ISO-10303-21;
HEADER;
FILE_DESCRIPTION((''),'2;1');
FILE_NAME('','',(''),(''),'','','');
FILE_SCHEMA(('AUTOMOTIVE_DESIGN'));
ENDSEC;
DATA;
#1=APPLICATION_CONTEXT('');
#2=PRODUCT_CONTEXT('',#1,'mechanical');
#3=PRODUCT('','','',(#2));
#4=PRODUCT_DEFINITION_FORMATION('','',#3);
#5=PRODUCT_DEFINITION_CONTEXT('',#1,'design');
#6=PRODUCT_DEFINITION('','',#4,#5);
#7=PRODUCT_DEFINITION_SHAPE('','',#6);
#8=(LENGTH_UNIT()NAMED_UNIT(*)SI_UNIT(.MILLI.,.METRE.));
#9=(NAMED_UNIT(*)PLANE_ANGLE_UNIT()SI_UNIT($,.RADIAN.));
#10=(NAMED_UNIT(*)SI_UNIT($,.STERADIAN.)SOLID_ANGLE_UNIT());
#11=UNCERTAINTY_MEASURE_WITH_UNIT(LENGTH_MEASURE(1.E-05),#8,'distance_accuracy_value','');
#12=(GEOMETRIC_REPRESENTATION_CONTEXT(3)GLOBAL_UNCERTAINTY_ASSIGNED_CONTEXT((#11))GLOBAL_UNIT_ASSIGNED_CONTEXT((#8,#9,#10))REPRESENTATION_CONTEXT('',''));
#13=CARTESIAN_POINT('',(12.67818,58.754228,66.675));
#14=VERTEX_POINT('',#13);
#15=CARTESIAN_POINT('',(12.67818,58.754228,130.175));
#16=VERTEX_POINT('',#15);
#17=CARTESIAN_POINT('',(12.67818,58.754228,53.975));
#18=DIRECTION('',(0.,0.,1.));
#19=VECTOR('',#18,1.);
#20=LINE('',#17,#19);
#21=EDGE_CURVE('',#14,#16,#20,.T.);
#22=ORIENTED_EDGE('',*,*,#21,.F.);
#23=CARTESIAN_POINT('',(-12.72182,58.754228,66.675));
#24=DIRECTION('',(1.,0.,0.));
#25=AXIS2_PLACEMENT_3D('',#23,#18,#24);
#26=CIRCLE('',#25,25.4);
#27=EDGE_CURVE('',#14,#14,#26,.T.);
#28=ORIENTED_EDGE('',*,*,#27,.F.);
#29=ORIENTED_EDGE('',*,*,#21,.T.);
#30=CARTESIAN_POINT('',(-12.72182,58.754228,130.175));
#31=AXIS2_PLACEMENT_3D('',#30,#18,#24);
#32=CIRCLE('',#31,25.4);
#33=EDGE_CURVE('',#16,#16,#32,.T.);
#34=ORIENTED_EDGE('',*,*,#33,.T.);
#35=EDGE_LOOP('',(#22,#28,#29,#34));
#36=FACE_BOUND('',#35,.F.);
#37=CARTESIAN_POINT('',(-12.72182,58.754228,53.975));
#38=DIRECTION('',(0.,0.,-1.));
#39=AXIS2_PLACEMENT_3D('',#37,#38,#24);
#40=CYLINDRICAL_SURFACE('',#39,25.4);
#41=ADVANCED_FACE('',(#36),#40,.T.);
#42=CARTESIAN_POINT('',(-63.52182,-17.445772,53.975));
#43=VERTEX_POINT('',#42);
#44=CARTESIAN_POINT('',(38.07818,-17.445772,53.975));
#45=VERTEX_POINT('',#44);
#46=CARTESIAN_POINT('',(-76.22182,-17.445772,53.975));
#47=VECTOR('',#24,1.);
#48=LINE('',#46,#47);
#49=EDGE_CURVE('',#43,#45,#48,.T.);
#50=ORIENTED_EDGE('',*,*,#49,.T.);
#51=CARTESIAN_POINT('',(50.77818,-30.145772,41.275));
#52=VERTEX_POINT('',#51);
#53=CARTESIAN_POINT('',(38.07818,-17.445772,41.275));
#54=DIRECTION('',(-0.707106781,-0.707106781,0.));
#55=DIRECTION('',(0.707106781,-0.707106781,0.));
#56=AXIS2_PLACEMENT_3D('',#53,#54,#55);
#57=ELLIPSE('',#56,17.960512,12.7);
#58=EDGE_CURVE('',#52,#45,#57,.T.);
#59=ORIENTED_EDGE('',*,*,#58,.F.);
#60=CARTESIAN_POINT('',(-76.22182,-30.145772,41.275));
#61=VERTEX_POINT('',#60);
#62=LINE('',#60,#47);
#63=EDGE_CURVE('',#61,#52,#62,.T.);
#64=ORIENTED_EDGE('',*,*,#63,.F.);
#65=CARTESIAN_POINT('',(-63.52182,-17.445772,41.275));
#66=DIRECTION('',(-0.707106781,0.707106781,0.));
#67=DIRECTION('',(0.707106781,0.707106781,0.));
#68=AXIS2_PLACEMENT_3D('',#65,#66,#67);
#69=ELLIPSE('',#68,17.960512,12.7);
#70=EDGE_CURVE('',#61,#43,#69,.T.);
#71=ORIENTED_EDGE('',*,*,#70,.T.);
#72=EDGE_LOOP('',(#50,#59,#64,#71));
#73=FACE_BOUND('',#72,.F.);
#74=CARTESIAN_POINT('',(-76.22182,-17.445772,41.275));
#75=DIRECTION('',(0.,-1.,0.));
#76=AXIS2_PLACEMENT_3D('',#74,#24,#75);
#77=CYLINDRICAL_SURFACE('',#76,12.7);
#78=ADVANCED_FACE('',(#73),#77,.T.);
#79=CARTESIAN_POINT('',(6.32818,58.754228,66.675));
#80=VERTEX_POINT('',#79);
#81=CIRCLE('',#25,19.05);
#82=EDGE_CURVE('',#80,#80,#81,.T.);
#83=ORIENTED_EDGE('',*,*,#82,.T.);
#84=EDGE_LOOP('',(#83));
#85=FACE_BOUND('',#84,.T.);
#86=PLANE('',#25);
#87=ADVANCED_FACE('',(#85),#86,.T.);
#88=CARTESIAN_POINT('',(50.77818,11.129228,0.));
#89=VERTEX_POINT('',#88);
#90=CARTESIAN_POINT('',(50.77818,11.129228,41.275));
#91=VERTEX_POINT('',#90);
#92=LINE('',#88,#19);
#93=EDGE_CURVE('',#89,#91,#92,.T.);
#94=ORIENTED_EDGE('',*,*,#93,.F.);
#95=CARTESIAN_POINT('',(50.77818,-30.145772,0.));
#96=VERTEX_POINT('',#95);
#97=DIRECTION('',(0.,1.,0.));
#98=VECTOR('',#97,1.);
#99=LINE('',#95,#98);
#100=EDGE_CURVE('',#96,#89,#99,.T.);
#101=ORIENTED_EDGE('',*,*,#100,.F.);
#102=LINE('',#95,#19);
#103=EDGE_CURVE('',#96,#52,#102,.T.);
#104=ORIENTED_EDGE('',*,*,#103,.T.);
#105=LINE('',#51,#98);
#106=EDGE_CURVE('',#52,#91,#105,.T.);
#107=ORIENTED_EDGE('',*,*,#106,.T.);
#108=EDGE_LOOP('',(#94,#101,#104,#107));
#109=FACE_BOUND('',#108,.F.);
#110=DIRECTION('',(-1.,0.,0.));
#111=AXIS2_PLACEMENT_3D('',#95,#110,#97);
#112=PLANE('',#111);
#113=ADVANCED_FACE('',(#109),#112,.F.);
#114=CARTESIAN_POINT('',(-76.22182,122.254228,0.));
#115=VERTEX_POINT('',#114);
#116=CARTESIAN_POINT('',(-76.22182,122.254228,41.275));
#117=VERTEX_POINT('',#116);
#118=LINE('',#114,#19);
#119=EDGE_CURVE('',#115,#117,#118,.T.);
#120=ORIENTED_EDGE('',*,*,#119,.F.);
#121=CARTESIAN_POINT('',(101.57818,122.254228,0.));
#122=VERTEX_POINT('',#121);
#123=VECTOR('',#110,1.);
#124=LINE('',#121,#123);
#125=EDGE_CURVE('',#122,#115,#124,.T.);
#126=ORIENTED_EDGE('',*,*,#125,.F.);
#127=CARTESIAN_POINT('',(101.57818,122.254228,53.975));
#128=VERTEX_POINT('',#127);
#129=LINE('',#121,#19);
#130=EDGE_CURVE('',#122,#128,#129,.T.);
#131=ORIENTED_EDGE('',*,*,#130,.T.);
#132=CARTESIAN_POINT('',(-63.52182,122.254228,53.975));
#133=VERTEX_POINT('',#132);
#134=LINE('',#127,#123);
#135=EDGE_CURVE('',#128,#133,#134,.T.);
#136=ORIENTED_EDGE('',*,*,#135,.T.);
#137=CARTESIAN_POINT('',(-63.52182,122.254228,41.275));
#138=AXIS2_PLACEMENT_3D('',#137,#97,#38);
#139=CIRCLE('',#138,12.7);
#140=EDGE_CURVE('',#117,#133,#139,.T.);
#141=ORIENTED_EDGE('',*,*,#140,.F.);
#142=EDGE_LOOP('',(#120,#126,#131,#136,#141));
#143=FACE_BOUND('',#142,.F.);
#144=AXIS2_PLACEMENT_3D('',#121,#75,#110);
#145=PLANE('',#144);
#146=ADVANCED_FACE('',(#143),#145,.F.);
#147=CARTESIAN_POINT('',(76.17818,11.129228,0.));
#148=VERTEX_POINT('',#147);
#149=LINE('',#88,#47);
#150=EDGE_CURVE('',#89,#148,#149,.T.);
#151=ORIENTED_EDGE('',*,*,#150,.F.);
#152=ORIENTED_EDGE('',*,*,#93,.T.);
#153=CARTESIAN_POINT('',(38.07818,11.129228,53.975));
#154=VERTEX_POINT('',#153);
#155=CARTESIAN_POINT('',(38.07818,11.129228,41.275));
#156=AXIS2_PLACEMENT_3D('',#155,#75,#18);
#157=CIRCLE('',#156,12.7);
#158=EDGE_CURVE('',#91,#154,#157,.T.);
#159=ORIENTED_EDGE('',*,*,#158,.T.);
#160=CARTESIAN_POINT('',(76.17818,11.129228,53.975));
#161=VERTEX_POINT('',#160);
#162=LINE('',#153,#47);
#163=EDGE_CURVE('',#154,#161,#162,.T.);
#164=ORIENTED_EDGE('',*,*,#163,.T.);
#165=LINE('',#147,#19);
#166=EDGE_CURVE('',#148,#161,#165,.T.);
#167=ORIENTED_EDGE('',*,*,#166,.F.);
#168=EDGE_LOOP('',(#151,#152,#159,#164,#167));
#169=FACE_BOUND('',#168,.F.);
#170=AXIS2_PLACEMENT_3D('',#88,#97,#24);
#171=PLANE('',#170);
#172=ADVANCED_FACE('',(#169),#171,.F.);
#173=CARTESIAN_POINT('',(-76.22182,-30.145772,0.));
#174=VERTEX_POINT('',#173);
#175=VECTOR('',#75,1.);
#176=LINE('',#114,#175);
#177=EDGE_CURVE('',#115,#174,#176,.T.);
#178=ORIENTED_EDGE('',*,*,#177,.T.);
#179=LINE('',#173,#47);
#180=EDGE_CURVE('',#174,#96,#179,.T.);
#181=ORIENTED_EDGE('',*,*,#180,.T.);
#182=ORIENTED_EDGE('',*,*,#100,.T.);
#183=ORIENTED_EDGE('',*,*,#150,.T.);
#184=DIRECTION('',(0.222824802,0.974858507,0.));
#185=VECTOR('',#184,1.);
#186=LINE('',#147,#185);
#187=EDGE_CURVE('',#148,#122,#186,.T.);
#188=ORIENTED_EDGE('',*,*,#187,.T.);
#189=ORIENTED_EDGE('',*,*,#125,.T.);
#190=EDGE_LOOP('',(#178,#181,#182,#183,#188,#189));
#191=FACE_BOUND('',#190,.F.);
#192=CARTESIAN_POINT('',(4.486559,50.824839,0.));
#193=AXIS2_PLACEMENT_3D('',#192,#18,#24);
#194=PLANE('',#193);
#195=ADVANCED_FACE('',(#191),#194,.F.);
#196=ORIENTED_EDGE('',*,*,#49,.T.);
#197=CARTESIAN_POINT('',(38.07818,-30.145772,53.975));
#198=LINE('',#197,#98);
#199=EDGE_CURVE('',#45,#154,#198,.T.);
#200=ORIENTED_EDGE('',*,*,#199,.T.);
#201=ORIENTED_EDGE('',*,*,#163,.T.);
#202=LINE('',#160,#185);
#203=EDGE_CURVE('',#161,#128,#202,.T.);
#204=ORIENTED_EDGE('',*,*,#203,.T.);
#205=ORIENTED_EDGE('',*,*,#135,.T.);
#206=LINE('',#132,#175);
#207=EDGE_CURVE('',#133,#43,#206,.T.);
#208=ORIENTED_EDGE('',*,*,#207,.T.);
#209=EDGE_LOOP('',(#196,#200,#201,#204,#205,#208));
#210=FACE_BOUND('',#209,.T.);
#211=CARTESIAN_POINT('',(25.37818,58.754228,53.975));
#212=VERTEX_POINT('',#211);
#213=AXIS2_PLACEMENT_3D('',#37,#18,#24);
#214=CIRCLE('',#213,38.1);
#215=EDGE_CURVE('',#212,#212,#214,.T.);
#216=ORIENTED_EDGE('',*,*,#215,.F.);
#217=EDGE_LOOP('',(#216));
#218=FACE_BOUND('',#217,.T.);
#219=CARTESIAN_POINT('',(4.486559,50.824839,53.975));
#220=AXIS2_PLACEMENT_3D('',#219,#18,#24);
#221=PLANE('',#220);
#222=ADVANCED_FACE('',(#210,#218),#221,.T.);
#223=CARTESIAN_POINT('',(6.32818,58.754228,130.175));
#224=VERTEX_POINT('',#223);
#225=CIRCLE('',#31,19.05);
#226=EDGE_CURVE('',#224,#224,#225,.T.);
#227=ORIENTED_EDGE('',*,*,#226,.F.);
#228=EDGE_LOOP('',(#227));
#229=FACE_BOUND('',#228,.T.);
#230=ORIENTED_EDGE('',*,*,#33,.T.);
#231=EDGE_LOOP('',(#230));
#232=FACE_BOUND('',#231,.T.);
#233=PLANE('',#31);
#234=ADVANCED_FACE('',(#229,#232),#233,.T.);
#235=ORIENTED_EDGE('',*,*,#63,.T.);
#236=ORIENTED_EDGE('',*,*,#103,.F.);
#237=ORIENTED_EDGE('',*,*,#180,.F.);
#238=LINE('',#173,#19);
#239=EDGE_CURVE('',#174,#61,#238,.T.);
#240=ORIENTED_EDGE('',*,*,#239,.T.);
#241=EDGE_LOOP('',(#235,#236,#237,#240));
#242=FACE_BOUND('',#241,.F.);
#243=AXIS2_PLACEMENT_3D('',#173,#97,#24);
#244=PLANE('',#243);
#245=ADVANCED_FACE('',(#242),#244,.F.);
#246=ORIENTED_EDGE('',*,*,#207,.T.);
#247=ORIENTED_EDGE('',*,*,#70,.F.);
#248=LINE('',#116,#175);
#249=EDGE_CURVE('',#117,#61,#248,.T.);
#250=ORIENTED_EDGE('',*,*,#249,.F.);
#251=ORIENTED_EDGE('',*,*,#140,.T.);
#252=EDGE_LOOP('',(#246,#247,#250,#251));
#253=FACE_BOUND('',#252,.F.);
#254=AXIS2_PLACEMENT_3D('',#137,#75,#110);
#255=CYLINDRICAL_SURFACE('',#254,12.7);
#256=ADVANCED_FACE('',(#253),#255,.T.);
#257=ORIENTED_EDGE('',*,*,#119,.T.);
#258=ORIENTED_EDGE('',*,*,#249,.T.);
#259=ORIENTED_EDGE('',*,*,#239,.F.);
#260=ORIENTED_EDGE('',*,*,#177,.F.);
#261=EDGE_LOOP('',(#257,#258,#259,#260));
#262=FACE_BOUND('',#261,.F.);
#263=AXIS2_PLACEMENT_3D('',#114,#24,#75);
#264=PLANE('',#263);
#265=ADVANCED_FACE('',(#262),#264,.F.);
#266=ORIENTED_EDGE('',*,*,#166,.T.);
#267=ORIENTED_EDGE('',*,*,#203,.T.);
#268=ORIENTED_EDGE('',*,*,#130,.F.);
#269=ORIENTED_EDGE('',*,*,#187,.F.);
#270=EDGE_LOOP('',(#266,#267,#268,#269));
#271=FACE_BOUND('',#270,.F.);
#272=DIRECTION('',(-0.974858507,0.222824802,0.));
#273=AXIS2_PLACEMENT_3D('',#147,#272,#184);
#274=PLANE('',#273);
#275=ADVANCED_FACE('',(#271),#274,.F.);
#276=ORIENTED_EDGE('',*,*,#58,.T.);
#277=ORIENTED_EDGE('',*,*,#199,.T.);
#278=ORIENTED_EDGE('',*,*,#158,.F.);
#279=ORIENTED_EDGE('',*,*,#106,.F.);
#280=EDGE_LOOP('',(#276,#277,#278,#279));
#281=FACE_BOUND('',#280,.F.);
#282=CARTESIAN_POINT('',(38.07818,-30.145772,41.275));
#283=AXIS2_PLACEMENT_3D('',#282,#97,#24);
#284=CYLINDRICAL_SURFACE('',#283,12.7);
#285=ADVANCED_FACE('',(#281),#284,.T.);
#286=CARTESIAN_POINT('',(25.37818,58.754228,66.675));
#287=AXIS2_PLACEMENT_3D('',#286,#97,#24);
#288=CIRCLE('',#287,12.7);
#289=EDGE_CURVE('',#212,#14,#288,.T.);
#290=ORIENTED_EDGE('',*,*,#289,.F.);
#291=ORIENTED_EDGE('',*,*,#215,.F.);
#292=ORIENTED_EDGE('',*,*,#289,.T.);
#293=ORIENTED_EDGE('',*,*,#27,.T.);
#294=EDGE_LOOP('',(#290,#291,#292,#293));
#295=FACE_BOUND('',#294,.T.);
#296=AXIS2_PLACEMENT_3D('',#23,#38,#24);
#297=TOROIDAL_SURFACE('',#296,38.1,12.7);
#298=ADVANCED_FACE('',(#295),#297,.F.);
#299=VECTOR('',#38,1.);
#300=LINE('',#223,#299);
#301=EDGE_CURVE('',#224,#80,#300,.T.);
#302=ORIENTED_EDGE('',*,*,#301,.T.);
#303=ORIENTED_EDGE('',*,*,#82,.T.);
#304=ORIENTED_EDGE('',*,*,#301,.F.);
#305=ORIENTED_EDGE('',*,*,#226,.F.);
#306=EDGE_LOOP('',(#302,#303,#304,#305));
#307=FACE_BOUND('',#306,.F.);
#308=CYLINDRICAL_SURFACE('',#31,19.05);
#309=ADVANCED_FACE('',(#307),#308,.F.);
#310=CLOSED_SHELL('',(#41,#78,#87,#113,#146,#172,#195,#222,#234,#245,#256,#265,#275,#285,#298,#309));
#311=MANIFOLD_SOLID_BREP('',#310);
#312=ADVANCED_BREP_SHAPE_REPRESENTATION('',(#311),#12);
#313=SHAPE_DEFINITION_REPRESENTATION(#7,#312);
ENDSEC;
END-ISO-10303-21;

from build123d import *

# Parameters (mm, degrees)
F1_DEPTH = 53.975
F3_R     = 25.4
F4_DEPTH = 76.2
F5_R     = 19.05
F6_DEPTH = 63.5
F7_R     = 12.7


with BuildPart() as f1:
    # F0 (on Top) → F1 (new body)
    with BuildSketch(Plane.XY):
        Polygon((-76.22182, -30.145772), (50.77818, -30.145772), (50.77818, 11.129228), (76.17818, 11.129228), (101.57818, 122.254228), (-76.22182, 122.254228), align=None)
    extrude(amount=F1_DEPTH)

    # F3 (on face) → F4 (join)
    with BuildSketch(Plane.XY.offset(53.975)):
        with Locations((-12.72182, 58.754228)):
            Circle(F3_R)
    extrude(amount=F4_DEPTH)

    # F5 (on face) → F6 (cut)
    with BuildSketch(Plane.XY.offset(130.175)):
        with Locations((-12.72182, 58.754228)):
            Circle(F5_R)
    extrude(amount=-F6_DEPTH, mode=Mode.SUBTRACT)

    # F7
    f7_edges = [f1.edges().sort_by_distance(p)[0] for p in [
        (-12.72182, -30.145772, 53.975),
        (50.77818, -9.508272, 53.975),
        (-76.22182, 46.054228, 53.975),
        (-38.12182, 58.754228, 53.975),
    ]]
    fillet(f7_edges, radius=F7_R)


solid = f1.part
